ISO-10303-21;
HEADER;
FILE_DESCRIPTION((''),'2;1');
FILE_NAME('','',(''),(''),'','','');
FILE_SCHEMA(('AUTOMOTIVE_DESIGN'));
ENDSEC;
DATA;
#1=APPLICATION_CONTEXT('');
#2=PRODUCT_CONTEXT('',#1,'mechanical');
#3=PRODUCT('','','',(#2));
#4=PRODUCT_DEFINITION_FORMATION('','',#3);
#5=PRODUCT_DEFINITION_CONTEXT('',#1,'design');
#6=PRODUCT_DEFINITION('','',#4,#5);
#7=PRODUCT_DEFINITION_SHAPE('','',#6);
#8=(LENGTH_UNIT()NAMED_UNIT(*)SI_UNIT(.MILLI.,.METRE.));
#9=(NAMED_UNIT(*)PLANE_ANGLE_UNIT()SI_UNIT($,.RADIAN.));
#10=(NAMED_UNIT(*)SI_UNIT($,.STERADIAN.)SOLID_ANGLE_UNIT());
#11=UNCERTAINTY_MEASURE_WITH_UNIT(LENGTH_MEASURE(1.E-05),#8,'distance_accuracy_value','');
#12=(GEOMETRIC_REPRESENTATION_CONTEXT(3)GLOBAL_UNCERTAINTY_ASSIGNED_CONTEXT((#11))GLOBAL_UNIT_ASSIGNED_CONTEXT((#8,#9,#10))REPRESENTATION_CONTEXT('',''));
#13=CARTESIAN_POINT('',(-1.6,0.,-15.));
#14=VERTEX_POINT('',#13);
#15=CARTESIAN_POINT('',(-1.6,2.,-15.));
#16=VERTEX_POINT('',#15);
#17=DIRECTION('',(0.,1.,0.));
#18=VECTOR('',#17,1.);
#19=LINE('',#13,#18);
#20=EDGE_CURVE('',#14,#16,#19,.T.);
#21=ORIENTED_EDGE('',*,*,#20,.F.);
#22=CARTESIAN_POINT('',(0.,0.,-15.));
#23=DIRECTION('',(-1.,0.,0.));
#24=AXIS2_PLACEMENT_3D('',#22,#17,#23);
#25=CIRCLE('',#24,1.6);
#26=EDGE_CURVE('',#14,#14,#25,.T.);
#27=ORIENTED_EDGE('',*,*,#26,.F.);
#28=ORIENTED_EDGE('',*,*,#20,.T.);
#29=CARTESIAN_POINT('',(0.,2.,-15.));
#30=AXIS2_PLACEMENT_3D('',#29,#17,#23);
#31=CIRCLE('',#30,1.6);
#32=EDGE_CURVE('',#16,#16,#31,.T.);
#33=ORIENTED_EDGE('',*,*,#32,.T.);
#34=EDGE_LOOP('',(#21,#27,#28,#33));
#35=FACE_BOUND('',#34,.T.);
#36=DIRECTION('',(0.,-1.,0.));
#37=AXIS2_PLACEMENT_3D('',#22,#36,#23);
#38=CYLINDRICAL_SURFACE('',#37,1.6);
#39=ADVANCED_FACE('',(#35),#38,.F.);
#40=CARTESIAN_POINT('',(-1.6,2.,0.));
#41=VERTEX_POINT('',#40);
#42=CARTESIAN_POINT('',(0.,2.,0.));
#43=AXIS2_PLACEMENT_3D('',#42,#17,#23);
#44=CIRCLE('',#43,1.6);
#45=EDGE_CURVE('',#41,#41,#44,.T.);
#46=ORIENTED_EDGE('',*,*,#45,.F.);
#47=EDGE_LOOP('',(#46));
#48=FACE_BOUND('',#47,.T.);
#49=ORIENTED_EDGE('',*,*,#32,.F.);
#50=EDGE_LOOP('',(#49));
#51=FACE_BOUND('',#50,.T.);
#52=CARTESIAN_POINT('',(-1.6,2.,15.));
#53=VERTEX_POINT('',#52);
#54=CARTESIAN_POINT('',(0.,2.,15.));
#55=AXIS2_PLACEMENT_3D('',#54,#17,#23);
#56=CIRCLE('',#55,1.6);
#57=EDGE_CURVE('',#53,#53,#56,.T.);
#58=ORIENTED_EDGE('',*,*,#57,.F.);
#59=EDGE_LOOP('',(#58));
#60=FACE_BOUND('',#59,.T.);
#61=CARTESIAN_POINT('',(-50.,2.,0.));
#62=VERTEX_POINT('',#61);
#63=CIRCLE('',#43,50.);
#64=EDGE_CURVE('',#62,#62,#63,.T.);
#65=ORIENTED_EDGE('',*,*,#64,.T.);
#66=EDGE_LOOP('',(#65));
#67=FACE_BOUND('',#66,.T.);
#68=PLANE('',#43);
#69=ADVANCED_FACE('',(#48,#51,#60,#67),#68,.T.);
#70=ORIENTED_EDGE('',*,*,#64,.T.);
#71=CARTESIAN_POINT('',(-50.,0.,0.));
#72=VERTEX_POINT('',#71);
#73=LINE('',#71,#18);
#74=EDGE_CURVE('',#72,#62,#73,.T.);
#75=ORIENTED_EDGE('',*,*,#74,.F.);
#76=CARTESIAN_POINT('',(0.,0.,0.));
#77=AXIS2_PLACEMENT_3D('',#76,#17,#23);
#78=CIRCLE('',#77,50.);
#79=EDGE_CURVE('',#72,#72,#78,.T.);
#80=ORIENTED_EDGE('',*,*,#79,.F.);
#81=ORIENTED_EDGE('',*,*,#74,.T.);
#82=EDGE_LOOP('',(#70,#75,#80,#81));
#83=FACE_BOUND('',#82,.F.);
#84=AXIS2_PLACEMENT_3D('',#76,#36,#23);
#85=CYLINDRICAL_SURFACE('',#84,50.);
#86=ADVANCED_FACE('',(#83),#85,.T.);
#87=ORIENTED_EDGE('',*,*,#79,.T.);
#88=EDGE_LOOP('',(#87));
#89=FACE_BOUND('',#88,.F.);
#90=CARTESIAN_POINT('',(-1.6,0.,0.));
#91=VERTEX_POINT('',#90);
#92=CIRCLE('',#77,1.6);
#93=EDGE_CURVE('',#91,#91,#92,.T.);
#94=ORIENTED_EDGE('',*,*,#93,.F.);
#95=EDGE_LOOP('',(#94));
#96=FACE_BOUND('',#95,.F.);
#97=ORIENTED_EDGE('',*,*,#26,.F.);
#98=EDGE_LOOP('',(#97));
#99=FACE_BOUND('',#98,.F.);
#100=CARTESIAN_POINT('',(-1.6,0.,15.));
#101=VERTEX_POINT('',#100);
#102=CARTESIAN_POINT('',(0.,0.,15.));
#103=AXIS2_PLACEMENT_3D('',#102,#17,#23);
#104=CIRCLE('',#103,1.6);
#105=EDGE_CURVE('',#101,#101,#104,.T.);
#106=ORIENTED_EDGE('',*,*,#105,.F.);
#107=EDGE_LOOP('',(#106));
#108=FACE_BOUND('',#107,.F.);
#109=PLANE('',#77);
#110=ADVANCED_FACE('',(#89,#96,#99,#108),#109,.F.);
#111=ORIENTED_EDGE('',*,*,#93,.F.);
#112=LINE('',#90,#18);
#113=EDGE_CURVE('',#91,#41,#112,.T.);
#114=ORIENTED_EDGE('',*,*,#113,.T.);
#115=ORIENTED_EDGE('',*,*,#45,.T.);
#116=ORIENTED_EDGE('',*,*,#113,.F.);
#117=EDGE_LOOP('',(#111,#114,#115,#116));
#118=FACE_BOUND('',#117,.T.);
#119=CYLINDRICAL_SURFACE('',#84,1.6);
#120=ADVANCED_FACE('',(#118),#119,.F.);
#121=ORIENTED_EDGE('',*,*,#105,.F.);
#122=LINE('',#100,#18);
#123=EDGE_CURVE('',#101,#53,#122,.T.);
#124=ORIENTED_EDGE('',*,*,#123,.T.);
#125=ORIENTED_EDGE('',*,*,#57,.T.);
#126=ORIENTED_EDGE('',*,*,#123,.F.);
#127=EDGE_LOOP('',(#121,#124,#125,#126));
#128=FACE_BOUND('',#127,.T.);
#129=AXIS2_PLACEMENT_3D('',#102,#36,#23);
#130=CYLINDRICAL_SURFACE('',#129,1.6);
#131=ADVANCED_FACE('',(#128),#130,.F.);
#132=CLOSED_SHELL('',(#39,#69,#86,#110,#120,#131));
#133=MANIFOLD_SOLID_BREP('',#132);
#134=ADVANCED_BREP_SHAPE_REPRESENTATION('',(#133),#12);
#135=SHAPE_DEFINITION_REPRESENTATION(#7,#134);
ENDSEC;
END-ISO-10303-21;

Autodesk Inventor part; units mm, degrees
ref_plane "YZ Plane" through (0, 0, 0) normal (1, 0, 0) x (0, 1, 0)
ref_plane "XZ Plane" through (0, 0, 0) normal (0, 1, 0) x (-1, 0, 0)
ref_plane "XY Plane" through (0, 0, 0) normal (0, 0, 1) x (1, 0, 0)
sketch "Sketch1" plane through (0, 0, 0) normal (0, 1, 0) x (-1, 0, 0)
  circle A0 centre (0, 0) radius 50
  circle A1 centre (0, 0) radius 1.6
  line L0 (0, 0) -> (0, -15) construction
  line L1 (0, -15) -> (0, 15) construction
  circle A2 centre (0, 15) radius 1.6
  circle A3 centre (0, -15) radius 1.6
  dimension "d0" = 100
  dimension "d1" = 3.2
  dimension "d2" = 15
  dimension "d3" = 30
  dimension "d4" = 3.2
  dimension "d5" = 3.2
extrude "Extrusion1" add sketch "Sketch1" along normal blind 2
properties part number "Disc" material "ABS Plastic"
